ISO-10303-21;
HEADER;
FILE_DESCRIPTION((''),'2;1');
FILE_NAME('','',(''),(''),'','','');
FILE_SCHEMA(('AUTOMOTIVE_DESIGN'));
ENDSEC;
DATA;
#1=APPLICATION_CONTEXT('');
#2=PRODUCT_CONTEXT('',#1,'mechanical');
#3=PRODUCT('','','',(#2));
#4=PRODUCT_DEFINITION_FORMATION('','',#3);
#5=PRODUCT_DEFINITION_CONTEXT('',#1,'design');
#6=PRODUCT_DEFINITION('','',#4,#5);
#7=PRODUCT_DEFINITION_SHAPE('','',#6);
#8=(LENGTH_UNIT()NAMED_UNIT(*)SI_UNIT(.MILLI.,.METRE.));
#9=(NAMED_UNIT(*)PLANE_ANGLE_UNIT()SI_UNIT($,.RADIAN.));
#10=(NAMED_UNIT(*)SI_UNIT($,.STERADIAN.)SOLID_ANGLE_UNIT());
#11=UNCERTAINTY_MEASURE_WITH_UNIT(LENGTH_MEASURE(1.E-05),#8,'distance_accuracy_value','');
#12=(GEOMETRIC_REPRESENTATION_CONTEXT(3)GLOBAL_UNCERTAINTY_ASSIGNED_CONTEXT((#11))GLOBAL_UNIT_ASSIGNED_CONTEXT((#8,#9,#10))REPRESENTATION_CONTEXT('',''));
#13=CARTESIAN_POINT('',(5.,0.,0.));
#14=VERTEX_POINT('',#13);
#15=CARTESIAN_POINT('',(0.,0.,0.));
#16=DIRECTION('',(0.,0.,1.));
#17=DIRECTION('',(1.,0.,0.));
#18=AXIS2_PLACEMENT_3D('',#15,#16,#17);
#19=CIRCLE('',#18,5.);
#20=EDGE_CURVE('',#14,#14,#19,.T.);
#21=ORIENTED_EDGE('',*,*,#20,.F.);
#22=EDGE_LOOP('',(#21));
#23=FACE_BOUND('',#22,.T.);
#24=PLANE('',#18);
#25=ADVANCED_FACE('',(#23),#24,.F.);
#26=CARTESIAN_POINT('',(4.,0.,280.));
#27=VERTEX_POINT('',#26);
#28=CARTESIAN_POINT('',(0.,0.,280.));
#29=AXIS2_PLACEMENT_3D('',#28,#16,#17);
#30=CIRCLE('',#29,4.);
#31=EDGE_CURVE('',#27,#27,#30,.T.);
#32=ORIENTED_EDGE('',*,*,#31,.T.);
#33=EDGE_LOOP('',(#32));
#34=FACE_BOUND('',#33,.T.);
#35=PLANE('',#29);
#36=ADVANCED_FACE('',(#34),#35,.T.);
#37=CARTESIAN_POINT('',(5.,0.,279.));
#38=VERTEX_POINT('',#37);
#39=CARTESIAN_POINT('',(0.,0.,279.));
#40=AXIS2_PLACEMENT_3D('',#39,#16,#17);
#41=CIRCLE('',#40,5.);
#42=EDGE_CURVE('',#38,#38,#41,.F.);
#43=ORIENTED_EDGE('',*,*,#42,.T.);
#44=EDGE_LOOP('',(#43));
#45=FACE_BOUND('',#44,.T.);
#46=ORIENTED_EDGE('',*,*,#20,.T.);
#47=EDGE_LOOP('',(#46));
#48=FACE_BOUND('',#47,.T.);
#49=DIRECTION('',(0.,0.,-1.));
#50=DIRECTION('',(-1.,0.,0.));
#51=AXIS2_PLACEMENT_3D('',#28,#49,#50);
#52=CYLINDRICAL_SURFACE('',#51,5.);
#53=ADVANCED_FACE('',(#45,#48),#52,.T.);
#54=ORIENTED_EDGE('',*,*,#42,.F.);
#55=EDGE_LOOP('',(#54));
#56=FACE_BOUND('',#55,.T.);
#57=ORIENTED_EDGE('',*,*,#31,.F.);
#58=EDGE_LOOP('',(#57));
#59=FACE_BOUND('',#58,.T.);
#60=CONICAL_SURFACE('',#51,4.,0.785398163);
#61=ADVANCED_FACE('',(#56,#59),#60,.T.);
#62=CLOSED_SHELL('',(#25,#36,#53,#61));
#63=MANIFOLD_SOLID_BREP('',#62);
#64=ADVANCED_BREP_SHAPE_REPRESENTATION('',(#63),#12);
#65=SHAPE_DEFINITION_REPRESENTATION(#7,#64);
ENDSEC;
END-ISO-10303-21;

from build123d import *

# Parameters (mm, degrees)
ESQUISSE1_R        = 5
BOSS_EXTRU_1_DEPTH = 280
CHANFREIN1_SIZE    = 1


with BuildPart() as part:
    # Esquisse1 → Boss.-Extru.1 (new body)
    with BuildSketch(Plane.XY):
        Circle(ESQUISSE1_R)
    extrude(amount=BOSS_EXTRU_1_DEPTH)

    # Chanfrein1
    chanfrein1_edges = [part.edges().sort_by_distance(p)[0] for p in [
        (-5, 0, 280),
    ]]
    chamfer(chanfrein1_edges, length=CHANFREIN1_SIZE)


solid = part.part
